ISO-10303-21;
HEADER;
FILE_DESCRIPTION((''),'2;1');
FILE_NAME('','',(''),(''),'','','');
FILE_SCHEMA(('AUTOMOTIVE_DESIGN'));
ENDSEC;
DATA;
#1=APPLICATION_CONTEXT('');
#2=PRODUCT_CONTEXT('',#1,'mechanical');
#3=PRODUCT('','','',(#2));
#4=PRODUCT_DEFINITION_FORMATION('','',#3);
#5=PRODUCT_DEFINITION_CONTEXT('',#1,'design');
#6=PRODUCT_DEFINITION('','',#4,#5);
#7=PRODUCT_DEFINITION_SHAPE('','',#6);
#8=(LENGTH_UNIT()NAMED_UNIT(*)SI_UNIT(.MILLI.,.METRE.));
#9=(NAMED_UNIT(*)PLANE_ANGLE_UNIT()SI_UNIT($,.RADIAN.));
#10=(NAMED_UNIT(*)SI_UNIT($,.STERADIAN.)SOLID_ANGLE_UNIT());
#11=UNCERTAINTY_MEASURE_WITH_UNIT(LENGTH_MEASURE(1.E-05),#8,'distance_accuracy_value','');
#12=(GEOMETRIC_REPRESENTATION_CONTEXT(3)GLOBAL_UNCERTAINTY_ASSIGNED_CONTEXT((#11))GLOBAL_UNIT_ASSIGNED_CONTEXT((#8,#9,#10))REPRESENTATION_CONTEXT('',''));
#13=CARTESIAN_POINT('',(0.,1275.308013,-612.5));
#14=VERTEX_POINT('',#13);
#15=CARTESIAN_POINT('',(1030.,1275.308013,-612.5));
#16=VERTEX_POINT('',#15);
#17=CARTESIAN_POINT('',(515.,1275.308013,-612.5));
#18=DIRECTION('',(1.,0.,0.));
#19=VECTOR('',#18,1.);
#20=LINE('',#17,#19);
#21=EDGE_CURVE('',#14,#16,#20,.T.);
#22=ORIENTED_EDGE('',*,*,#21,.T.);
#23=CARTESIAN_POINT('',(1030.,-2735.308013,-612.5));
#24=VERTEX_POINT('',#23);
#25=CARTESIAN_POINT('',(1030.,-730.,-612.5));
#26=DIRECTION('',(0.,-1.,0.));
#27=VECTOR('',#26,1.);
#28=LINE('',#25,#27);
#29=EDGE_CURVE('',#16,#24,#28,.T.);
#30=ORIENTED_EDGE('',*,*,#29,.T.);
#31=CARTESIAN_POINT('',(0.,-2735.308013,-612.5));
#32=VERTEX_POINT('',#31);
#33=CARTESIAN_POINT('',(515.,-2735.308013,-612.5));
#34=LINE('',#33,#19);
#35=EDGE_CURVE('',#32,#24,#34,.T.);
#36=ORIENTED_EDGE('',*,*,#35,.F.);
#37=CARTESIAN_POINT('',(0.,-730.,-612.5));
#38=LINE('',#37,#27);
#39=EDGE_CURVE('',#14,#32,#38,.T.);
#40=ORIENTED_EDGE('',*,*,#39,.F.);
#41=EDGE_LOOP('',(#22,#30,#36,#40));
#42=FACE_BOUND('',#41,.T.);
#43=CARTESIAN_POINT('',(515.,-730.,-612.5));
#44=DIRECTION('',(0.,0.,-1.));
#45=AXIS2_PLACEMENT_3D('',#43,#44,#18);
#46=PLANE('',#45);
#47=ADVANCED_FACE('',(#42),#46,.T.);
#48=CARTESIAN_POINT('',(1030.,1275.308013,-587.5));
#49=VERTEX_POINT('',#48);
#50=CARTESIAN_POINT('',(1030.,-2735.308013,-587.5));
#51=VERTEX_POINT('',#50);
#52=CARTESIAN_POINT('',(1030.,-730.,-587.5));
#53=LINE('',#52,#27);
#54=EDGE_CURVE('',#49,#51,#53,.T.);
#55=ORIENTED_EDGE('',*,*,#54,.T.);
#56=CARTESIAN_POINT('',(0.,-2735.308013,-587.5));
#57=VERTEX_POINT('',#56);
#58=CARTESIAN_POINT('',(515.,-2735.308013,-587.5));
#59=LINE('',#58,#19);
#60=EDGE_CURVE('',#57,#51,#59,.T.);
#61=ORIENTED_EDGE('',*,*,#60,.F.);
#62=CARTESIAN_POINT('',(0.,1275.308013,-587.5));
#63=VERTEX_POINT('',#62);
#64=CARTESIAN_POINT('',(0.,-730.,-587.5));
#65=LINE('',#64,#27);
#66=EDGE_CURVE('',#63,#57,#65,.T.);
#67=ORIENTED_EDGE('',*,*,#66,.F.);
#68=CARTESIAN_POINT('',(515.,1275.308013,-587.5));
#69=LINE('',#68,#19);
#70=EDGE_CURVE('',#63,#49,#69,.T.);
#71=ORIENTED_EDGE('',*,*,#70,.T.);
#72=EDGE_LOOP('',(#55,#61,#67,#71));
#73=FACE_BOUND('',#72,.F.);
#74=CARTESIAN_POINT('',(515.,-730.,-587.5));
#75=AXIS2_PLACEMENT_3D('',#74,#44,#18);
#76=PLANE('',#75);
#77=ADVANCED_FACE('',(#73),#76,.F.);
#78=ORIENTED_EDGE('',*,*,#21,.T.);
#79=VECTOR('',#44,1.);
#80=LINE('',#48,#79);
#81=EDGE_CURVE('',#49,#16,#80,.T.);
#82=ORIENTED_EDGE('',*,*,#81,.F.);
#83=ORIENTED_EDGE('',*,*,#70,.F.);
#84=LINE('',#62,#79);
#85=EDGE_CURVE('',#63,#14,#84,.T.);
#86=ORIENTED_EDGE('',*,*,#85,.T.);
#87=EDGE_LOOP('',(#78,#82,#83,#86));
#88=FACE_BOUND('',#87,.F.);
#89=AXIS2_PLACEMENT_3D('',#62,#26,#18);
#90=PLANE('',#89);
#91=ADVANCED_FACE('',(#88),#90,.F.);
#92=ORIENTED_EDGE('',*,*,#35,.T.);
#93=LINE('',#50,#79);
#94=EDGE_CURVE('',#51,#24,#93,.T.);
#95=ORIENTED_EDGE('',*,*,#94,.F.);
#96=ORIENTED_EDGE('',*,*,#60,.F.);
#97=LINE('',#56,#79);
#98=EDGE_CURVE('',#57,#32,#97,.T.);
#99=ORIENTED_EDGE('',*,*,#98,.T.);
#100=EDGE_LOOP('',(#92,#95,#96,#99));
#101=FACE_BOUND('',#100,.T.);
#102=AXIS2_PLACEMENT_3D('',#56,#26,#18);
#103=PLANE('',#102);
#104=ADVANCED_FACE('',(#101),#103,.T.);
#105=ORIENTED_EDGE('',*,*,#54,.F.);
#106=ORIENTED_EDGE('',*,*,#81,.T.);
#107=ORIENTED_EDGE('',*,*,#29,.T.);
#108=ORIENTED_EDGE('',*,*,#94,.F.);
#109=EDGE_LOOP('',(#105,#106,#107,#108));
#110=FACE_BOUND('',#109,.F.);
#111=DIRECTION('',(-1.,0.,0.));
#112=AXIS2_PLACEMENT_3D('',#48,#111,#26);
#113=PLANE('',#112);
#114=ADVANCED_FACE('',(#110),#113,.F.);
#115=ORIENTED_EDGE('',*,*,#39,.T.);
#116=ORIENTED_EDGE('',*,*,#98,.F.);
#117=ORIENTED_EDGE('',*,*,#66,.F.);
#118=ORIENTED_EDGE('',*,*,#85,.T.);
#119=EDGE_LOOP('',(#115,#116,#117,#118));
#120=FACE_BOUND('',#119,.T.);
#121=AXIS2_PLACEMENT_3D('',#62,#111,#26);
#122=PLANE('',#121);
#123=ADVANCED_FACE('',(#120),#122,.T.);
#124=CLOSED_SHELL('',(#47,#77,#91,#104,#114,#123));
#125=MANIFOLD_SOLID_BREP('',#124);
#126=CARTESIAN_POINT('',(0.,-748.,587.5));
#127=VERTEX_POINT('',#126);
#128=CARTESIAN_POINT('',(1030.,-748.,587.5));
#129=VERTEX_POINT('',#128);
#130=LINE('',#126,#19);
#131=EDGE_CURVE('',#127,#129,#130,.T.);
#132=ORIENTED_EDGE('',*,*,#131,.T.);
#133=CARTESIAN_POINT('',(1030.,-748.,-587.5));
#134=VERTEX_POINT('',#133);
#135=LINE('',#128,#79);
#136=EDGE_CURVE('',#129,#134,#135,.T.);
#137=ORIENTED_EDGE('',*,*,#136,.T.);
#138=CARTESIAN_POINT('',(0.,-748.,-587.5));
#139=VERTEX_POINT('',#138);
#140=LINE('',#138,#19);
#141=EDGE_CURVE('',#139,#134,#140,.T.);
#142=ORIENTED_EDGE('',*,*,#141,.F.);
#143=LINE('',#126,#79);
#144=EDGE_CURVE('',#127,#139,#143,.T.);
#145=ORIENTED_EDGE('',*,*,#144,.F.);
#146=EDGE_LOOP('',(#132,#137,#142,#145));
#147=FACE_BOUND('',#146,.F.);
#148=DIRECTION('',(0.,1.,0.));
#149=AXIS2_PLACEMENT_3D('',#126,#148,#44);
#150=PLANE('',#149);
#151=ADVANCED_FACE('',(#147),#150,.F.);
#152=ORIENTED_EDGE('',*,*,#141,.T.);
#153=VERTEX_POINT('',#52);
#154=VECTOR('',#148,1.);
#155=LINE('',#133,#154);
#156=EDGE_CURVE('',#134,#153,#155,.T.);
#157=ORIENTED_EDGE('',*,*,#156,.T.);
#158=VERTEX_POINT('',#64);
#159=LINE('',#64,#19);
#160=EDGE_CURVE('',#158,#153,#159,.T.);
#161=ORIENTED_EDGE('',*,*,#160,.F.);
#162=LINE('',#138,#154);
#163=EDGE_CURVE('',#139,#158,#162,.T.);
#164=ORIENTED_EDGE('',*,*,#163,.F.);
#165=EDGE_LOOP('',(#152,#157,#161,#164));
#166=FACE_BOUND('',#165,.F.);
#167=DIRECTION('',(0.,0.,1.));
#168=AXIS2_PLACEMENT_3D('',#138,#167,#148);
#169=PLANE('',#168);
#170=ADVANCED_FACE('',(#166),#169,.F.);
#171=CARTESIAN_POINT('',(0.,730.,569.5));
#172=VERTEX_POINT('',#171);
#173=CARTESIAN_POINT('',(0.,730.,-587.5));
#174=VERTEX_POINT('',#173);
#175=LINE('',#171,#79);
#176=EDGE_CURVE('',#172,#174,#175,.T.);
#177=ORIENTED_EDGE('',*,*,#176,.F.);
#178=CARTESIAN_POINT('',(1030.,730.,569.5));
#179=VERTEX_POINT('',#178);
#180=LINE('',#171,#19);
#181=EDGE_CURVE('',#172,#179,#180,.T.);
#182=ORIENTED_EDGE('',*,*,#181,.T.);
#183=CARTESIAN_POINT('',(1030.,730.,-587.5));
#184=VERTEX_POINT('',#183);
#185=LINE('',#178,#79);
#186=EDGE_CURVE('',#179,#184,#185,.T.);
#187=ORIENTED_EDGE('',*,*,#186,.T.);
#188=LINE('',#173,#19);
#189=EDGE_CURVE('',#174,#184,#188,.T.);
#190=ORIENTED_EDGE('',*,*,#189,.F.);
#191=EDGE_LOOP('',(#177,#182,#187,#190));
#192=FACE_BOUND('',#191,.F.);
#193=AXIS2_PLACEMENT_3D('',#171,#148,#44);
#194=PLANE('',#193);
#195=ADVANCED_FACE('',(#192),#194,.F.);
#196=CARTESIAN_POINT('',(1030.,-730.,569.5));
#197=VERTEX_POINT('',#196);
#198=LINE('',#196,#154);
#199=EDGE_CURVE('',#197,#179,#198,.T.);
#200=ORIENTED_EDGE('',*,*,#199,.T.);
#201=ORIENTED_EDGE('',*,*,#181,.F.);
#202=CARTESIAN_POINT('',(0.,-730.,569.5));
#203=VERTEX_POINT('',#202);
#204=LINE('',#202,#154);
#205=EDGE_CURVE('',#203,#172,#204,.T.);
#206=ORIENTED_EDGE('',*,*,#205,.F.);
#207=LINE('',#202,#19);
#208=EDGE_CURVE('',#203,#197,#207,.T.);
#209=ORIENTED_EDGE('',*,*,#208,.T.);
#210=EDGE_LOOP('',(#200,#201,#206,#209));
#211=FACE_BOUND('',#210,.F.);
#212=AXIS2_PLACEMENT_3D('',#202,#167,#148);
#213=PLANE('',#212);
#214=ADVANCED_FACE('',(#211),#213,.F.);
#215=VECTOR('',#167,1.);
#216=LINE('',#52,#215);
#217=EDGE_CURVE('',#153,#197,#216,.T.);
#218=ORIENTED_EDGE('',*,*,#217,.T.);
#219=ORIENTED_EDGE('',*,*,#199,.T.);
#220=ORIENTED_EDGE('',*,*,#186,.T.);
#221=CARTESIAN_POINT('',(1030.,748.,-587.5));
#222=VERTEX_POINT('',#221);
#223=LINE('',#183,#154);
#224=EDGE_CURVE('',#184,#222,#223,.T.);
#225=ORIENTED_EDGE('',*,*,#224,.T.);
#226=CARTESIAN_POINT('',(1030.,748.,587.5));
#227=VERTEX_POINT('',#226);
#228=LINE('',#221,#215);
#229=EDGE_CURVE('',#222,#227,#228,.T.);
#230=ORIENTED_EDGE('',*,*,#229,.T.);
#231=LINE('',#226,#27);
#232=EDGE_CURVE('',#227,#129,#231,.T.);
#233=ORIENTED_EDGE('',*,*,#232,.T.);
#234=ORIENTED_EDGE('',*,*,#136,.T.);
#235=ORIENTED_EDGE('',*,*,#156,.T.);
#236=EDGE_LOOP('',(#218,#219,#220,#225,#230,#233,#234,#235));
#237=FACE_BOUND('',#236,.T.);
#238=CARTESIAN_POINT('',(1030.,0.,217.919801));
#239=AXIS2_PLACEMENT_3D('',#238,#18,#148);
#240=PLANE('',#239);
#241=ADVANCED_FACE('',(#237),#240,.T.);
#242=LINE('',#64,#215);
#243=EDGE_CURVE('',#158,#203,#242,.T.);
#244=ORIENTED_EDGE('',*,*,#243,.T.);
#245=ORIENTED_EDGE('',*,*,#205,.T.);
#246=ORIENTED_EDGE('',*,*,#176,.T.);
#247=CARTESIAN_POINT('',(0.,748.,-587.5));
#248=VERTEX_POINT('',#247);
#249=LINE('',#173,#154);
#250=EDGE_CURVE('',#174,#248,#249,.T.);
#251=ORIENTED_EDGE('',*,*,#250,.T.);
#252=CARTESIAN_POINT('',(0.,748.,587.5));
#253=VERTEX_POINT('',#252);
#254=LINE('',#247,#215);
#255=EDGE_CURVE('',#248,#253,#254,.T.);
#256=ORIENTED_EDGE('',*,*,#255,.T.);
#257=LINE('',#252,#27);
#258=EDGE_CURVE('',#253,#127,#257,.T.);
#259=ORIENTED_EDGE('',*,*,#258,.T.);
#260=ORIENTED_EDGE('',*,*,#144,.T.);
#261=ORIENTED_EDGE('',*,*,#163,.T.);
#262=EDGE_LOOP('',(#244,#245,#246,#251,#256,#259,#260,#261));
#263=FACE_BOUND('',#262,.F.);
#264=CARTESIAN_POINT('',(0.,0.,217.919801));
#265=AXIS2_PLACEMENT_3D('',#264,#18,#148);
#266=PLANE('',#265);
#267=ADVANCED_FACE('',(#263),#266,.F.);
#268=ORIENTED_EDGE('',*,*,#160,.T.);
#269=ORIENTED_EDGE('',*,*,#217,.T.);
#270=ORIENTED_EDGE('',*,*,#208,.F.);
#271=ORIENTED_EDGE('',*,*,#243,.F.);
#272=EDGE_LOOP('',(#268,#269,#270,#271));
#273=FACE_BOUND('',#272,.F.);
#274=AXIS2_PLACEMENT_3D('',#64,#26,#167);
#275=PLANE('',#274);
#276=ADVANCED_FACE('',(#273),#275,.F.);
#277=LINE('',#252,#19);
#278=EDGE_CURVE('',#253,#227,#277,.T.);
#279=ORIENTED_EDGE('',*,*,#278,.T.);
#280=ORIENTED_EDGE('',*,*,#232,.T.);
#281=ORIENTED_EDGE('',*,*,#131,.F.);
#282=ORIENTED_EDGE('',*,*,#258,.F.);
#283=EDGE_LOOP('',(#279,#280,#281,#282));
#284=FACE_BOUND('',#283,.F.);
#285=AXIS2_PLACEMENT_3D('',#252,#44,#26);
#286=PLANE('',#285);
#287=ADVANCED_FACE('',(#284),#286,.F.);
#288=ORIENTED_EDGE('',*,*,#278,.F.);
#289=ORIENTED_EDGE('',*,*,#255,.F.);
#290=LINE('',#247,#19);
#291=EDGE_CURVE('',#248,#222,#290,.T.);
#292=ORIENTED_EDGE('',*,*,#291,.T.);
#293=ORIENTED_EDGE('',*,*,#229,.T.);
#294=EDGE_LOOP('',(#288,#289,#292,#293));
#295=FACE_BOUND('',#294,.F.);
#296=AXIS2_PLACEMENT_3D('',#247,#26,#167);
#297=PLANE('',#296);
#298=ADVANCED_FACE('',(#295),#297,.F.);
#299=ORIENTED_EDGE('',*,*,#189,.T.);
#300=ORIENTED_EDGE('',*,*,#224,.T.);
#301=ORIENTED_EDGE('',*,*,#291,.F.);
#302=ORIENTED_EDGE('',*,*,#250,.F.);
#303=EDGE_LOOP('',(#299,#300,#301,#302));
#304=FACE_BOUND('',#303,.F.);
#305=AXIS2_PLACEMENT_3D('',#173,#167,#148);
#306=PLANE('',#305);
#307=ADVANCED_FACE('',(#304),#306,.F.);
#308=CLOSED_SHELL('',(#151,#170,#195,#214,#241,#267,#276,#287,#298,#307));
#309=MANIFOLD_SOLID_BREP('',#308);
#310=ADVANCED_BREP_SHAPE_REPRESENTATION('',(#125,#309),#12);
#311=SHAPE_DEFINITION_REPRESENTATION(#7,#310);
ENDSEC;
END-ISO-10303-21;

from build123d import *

# Parameters (mm, degrees)
F1_DEPTH = 1030
F2_W     = 1030
F2_H     = 4010.616026
F3_DEPTH = 25


with BuildPart() as f1:
    # F0 (on Right) → F1 (new body)
    with BuildSketch(Plane.YZ):
        Polygon((748, -587.5), (748, 587.5), (-748, 587.5), (-748, -587.5), (-730, -587.5), (-730, 569.5), (730, 569.5), (730, -587.5), align=None)
    extrude(amount=F1_DEPTH)


with BuildPart() as f3:
    # F2 (on face) → F3 (new body)
    with BuildSketch(Plane(origin=(0, 0, -587.5), x_dir=(1, 0, 0), z_dir=(0, 0, -1))):
        with Locations((515, 730)):
            Rectangle(F2_W, F2_H)
    extrude(amount=F3_DEPTH)


solid = Compound([f1.part, f3.part])
